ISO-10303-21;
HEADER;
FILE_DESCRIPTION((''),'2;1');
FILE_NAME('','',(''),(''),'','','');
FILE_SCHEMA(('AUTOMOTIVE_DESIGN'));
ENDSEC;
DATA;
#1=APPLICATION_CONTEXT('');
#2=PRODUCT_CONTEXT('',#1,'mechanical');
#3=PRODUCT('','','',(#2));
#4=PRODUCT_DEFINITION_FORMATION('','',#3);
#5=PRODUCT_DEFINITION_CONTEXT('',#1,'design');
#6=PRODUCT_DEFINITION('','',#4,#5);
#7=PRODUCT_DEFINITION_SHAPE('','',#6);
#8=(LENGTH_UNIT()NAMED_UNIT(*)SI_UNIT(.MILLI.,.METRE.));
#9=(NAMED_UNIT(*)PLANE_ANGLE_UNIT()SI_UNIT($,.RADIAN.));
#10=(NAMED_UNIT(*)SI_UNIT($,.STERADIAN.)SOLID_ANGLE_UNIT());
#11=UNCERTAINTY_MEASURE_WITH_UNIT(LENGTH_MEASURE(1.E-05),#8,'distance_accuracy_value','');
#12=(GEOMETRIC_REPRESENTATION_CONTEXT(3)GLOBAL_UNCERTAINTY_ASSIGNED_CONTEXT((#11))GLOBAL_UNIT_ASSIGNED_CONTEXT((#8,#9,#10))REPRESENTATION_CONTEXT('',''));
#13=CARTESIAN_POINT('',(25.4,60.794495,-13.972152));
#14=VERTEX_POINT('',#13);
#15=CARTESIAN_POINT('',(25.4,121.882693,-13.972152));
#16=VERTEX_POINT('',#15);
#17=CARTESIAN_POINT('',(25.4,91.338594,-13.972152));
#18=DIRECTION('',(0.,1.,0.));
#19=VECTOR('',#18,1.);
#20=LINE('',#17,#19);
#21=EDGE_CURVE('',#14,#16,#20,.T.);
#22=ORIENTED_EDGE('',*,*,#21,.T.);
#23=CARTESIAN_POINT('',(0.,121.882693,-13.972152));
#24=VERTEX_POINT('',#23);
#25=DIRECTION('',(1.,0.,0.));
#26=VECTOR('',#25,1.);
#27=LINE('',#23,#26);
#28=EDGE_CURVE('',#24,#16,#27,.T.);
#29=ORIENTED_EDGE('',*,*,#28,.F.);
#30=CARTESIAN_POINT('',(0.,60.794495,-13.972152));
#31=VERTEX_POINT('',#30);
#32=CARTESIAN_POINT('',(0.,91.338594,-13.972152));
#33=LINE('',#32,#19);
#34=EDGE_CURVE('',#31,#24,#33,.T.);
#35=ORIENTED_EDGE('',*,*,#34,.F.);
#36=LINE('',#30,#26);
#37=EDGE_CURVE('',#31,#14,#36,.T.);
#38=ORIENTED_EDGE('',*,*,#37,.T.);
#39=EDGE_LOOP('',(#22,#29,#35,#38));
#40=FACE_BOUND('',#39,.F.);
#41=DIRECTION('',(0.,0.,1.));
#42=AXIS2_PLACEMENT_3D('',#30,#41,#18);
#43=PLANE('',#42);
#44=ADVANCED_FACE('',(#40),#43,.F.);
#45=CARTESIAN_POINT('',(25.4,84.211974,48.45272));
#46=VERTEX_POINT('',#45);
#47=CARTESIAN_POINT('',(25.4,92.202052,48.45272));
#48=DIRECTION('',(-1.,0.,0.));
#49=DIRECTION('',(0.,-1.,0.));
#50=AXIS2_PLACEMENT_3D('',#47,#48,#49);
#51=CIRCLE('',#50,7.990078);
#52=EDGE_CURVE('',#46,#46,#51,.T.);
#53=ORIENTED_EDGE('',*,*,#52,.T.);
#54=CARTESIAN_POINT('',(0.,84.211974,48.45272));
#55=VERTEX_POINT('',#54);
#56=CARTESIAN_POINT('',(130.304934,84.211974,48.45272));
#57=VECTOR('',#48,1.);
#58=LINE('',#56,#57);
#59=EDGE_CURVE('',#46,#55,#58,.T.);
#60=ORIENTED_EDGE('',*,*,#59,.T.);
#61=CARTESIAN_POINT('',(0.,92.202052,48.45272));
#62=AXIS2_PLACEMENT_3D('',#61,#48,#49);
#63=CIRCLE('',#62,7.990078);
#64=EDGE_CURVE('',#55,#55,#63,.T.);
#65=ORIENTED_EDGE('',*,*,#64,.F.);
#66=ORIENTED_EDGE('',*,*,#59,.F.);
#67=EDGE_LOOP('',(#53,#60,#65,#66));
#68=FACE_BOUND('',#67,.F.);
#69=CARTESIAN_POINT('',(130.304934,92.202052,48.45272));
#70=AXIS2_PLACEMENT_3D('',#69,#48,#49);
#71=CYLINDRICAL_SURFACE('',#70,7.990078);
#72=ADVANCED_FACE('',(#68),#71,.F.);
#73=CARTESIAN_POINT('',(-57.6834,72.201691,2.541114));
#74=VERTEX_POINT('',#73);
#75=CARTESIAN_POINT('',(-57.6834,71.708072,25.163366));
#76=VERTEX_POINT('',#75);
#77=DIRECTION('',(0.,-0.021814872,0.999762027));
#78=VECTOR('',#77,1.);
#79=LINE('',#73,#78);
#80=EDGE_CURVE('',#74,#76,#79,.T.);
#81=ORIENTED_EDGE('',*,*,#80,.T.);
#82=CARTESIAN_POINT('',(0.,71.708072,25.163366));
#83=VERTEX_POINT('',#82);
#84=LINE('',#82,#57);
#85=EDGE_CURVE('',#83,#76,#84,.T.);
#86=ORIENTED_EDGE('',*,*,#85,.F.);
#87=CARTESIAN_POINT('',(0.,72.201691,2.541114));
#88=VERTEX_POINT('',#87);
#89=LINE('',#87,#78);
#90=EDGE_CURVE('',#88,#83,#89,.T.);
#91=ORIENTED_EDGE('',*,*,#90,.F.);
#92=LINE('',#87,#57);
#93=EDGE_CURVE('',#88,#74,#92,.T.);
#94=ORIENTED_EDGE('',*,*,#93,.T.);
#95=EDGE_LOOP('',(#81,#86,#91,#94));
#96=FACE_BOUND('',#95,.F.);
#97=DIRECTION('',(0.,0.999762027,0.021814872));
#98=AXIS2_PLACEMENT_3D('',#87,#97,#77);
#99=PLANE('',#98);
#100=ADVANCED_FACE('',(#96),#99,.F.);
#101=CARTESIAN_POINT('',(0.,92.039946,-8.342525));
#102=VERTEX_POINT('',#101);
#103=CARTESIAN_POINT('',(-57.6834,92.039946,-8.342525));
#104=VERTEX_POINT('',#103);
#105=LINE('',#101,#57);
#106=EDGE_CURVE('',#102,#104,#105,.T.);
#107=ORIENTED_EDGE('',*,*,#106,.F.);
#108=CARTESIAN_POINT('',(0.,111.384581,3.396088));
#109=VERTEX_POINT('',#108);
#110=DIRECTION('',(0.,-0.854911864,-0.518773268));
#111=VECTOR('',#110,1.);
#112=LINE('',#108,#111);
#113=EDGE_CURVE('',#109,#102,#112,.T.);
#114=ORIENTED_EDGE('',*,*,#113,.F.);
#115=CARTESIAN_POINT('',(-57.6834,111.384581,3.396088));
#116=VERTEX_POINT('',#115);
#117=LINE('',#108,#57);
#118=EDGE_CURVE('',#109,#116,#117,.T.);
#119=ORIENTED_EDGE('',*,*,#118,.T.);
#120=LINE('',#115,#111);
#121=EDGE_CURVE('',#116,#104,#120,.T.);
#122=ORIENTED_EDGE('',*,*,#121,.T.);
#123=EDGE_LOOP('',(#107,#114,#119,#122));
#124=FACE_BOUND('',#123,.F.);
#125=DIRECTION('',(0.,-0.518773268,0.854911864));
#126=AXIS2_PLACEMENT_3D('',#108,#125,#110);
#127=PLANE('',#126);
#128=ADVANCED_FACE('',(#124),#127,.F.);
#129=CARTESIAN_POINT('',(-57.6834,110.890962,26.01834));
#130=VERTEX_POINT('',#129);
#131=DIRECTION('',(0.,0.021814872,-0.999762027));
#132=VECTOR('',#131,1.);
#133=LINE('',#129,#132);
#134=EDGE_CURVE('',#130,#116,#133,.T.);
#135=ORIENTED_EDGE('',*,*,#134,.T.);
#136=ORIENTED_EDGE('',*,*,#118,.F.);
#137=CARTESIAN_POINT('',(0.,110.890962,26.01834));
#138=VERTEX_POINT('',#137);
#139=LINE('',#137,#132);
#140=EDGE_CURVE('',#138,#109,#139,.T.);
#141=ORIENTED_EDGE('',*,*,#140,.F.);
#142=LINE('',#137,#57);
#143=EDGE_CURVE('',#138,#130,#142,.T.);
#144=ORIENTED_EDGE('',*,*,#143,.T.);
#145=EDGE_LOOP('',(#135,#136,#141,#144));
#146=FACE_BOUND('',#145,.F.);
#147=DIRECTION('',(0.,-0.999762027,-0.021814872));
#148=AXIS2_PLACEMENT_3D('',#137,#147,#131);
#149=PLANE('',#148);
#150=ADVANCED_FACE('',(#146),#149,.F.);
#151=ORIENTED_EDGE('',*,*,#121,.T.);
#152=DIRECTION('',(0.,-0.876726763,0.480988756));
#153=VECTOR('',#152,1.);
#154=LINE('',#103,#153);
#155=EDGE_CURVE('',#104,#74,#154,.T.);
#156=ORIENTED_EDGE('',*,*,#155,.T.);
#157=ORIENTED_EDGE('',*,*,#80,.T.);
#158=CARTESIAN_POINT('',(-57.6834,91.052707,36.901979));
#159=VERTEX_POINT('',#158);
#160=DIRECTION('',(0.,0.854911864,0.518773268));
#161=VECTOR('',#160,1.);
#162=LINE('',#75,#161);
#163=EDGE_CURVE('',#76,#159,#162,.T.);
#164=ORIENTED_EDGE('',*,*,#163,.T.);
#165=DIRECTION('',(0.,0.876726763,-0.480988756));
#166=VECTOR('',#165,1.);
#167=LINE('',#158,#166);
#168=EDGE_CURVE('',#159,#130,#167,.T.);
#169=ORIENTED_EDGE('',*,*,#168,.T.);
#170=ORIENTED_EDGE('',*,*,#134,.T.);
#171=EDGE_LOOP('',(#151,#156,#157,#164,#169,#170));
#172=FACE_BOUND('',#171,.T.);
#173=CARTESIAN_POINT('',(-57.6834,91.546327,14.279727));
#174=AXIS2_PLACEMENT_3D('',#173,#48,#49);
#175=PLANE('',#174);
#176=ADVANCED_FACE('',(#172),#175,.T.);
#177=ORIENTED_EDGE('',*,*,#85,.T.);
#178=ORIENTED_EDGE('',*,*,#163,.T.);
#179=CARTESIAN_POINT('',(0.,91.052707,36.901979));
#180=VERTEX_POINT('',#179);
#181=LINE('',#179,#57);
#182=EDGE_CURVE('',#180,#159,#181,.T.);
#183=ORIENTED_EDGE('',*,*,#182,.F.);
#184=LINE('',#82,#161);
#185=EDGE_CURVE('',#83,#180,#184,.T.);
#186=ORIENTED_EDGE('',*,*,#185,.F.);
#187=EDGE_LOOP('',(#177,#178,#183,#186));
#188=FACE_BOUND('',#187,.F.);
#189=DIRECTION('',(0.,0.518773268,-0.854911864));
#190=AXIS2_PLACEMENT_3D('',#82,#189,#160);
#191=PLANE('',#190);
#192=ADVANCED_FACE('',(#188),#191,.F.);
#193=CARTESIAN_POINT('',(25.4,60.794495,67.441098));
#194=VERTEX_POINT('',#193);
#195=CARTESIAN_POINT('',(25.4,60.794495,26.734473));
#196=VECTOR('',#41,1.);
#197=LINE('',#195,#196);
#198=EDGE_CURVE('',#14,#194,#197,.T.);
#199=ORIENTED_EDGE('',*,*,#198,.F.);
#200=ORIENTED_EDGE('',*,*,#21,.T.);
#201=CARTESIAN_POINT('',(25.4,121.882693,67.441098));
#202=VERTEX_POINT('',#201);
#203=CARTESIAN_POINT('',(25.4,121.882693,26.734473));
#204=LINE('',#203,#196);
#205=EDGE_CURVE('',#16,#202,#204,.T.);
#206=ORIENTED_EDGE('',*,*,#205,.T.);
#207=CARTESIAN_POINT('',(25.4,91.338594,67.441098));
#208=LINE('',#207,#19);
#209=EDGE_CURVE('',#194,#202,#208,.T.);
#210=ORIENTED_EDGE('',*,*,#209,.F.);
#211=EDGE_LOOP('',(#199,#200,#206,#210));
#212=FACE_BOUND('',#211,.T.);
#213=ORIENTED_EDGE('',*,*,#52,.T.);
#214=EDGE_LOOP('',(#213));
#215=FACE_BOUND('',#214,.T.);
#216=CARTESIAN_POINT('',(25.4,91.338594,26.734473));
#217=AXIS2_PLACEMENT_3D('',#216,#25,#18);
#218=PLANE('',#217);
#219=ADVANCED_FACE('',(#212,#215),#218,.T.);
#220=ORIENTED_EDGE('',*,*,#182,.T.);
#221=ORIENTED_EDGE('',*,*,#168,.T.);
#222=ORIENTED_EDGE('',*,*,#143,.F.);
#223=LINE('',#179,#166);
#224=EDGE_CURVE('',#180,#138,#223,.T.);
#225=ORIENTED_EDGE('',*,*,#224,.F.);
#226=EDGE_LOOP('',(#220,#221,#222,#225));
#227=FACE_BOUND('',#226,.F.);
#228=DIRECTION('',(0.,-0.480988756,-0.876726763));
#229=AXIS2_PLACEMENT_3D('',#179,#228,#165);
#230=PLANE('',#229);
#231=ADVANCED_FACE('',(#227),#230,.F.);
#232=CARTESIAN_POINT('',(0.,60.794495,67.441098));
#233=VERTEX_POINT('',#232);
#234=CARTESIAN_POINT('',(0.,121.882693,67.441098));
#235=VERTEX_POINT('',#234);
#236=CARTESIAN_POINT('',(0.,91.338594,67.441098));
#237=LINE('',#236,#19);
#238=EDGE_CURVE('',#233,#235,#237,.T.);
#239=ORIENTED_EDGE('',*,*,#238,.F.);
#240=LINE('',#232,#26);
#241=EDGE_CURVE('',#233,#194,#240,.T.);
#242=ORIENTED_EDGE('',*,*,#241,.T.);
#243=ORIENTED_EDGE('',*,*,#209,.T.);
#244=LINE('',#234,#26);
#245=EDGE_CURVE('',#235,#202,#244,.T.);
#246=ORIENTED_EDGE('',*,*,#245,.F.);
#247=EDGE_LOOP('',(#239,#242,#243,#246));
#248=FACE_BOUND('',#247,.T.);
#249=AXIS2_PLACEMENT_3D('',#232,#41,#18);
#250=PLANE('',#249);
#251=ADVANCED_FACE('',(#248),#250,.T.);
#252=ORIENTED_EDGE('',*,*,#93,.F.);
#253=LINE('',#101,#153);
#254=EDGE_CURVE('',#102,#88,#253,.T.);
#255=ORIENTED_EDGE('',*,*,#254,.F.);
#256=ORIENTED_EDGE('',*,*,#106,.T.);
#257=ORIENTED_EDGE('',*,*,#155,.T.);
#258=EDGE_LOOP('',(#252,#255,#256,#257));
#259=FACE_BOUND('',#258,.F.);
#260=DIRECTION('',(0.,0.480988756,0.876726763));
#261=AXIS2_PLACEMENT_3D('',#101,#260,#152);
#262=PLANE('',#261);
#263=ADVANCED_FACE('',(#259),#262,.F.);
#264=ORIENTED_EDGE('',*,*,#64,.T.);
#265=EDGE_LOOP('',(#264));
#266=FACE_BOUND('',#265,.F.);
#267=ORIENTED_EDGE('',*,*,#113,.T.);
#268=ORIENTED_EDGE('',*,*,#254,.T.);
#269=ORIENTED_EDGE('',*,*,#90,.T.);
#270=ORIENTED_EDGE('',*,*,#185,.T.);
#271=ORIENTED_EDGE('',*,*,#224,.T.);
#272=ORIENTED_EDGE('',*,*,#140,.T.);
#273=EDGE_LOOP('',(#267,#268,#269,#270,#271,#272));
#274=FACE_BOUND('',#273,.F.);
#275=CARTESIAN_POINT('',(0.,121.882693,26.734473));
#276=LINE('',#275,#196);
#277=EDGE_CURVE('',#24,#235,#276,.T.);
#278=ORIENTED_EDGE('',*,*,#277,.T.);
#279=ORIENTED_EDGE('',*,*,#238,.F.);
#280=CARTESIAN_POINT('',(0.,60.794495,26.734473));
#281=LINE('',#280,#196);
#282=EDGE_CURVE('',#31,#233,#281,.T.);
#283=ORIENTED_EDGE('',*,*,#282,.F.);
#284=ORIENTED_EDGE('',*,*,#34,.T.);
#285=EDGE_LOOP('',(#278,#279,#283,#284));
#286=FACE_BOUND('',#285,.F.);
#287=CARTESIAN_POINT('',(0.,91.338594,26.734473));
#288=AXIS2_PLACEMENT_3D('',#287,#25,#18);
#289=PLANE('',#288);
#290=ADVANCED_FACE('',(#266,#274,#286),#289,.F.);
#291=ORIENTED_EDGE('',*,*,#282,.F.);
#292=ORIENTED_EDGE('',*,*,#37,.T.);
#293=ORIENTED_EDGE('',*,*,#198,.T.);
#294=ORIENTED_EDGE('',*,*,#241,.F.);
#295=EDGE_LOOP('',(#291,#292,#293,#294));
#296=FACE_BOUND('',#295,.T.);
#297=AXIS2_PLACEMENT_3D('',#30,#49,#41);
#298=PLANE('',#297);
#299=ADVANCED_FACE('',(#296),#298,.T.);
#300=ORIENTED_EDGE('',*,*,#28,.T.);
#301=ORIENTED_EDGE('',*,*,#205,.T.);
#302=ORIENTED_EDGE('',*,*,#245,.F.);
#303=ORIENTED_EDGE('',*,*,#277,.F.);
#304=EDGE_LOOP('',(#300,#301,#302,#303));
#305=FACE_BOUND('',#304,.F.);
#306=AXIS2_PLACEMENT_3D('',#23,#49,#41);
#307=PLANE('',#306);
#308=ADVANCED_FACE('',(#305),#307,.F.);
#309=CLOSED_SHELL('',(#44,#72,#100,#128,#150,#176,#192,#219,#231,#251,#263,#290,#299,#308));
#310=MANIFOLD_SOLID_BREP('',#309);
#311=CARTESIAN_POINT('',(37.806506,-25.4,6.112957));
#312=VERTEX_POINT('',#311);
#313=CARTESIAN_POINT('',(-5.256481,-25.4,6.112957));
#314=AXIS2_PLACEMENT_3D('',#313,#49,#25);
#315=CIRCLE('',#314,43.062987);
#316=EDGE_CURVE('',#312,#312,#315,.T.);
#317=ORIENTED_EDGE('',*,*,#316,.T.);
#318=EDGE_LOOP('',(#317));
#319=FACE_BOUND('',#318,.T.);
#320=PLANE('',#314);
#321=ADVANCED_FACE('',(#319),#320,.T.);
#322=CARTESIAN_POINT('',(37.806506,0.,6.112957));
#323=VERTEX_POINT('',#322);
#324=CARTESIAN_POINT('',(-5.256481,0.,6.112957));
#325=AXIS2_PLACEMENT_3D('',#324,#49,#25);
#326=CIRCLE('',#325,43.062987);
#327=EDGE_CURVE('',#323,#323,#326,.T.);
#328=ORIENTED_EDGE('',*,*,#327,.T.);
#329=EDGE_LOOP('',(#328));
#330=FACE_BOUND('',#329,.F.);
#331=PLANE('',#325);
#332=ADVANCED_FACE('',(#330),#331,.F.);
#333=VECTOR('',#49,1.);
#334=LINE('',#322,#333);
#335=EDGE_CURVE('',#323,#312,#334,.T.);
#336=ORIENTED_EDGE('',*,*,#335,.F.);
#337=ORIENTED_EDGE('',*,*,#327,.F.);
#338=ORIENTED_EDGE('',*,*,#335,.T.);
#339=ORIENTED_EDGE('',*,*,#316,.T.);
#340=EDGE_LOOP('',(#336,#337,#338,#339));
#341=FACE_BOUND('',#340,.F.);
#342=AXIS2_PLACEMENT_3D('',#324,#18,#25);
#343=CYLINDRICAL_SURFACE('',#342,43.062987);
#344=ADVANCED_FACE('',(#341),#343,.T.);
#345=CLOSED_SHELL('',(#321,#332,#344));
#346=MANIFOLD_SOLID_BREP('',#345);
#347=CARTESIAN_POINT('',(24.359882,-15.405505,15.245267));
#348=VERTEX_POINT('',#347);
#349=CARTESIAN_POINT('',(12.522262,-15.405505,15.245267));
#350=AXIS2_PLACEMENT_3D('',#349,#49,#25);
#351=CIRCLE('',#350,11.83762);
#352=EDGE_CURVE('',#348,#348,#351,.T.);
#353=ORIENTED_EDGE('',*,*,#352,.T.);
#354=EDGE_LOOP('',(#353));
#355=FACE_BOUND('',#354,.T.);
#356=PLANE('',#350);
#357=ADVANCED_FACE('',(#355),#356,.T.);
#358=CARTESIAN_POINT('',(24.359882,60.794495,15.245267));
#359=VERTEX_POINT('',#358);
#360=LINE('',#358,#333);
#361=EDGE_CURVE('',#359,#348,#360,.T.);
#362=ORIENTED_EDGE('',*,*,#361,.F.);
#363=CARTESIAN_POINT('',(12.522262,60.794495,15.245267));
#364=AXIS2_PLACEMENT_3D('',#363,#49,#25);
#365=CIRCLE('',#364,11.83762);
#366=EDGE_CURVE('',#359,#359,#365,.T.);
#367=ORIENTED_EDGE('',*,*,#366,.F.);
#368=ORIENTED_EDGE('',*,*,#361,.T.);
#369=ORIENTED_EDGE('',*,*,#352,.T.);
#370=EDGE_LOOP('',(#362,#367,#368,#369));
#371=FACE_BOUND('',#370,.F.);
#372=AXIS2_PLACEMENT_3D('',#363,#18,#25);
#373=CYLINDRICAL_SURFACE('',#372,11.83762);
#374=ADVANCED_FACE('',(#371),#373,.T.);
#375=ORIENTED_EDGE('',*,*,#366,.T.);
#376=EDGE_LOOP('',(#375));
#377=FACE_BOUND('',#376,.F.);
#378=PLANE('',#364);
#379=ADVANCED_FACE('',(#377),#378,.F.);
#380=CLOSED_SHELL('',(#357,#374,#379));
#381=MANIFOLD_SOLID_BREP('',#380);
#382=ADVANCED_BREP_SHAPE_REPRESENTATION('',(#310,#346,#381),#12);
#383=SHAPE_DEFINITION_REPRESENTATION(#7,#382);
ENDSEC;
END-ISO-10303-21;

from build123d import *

# Parameters (mm, degrees)
F0_R     = 43.062987
F1_DEPTH = 25.4
F2_W     = 61.088197
F2_H     = 81.41325
F3_DEPTH = 25.4
F4_R     = 11.83762
F5_DEPTH = 76.2
F7_D     = 15.980156
F9_DEPTH = 57.6834


with BuildPart() as f1:
    # F0 (on Front) → F1 (new body)
    with BuildSketch(Plane.XZ):
        with Locations((-5.256481, 6.112957)):
            Circle(F0_R)
    extrude(amount=F1_DEPTH)


with BuildPart() as f3:
    # F2 (on Right) → F3 (new body)
    with BuildSketch(Plane.YZ):
        with Locations((91.338594, 26.734473)):
            Rectangle(F2_W, F2_H)
    extrude(amount=F3_DEPTH)

    # F7 (through all)
    with Locations(Plane.YZ.offset(25.4)):
        with Locations((92.202052, 48.45272)):
            Hole(F7_D / 2)

    # F8 (on face) → F9 (join)
    with BuildSketch(Plane(origin=(0, 0, 0), x_dir=(0, -1, 0), z_dir=(-1, 0, 0))):
        Polygon((-71.708072, 25.163366), (-91.052707, 36.901979), (-110.890962, 26.01834), (-111.384581, 3.396088), (-92.039946, -8.342525), (-72.201691, 2.541114), align=None)
    extrude(amount=F9_DEPTH)


with BuildPart() as f5:
    # F4 (on face) → F5 (new body)
    with BuildSketch(Plane.XZ.offset(-60.794495)):
        with Locations((12.522262, 15.245267)):
            Circle(F4_R)
    extrude(amount=F5_DEPTH)


solid = Compound([f1.part, f3.part, f5.part])
